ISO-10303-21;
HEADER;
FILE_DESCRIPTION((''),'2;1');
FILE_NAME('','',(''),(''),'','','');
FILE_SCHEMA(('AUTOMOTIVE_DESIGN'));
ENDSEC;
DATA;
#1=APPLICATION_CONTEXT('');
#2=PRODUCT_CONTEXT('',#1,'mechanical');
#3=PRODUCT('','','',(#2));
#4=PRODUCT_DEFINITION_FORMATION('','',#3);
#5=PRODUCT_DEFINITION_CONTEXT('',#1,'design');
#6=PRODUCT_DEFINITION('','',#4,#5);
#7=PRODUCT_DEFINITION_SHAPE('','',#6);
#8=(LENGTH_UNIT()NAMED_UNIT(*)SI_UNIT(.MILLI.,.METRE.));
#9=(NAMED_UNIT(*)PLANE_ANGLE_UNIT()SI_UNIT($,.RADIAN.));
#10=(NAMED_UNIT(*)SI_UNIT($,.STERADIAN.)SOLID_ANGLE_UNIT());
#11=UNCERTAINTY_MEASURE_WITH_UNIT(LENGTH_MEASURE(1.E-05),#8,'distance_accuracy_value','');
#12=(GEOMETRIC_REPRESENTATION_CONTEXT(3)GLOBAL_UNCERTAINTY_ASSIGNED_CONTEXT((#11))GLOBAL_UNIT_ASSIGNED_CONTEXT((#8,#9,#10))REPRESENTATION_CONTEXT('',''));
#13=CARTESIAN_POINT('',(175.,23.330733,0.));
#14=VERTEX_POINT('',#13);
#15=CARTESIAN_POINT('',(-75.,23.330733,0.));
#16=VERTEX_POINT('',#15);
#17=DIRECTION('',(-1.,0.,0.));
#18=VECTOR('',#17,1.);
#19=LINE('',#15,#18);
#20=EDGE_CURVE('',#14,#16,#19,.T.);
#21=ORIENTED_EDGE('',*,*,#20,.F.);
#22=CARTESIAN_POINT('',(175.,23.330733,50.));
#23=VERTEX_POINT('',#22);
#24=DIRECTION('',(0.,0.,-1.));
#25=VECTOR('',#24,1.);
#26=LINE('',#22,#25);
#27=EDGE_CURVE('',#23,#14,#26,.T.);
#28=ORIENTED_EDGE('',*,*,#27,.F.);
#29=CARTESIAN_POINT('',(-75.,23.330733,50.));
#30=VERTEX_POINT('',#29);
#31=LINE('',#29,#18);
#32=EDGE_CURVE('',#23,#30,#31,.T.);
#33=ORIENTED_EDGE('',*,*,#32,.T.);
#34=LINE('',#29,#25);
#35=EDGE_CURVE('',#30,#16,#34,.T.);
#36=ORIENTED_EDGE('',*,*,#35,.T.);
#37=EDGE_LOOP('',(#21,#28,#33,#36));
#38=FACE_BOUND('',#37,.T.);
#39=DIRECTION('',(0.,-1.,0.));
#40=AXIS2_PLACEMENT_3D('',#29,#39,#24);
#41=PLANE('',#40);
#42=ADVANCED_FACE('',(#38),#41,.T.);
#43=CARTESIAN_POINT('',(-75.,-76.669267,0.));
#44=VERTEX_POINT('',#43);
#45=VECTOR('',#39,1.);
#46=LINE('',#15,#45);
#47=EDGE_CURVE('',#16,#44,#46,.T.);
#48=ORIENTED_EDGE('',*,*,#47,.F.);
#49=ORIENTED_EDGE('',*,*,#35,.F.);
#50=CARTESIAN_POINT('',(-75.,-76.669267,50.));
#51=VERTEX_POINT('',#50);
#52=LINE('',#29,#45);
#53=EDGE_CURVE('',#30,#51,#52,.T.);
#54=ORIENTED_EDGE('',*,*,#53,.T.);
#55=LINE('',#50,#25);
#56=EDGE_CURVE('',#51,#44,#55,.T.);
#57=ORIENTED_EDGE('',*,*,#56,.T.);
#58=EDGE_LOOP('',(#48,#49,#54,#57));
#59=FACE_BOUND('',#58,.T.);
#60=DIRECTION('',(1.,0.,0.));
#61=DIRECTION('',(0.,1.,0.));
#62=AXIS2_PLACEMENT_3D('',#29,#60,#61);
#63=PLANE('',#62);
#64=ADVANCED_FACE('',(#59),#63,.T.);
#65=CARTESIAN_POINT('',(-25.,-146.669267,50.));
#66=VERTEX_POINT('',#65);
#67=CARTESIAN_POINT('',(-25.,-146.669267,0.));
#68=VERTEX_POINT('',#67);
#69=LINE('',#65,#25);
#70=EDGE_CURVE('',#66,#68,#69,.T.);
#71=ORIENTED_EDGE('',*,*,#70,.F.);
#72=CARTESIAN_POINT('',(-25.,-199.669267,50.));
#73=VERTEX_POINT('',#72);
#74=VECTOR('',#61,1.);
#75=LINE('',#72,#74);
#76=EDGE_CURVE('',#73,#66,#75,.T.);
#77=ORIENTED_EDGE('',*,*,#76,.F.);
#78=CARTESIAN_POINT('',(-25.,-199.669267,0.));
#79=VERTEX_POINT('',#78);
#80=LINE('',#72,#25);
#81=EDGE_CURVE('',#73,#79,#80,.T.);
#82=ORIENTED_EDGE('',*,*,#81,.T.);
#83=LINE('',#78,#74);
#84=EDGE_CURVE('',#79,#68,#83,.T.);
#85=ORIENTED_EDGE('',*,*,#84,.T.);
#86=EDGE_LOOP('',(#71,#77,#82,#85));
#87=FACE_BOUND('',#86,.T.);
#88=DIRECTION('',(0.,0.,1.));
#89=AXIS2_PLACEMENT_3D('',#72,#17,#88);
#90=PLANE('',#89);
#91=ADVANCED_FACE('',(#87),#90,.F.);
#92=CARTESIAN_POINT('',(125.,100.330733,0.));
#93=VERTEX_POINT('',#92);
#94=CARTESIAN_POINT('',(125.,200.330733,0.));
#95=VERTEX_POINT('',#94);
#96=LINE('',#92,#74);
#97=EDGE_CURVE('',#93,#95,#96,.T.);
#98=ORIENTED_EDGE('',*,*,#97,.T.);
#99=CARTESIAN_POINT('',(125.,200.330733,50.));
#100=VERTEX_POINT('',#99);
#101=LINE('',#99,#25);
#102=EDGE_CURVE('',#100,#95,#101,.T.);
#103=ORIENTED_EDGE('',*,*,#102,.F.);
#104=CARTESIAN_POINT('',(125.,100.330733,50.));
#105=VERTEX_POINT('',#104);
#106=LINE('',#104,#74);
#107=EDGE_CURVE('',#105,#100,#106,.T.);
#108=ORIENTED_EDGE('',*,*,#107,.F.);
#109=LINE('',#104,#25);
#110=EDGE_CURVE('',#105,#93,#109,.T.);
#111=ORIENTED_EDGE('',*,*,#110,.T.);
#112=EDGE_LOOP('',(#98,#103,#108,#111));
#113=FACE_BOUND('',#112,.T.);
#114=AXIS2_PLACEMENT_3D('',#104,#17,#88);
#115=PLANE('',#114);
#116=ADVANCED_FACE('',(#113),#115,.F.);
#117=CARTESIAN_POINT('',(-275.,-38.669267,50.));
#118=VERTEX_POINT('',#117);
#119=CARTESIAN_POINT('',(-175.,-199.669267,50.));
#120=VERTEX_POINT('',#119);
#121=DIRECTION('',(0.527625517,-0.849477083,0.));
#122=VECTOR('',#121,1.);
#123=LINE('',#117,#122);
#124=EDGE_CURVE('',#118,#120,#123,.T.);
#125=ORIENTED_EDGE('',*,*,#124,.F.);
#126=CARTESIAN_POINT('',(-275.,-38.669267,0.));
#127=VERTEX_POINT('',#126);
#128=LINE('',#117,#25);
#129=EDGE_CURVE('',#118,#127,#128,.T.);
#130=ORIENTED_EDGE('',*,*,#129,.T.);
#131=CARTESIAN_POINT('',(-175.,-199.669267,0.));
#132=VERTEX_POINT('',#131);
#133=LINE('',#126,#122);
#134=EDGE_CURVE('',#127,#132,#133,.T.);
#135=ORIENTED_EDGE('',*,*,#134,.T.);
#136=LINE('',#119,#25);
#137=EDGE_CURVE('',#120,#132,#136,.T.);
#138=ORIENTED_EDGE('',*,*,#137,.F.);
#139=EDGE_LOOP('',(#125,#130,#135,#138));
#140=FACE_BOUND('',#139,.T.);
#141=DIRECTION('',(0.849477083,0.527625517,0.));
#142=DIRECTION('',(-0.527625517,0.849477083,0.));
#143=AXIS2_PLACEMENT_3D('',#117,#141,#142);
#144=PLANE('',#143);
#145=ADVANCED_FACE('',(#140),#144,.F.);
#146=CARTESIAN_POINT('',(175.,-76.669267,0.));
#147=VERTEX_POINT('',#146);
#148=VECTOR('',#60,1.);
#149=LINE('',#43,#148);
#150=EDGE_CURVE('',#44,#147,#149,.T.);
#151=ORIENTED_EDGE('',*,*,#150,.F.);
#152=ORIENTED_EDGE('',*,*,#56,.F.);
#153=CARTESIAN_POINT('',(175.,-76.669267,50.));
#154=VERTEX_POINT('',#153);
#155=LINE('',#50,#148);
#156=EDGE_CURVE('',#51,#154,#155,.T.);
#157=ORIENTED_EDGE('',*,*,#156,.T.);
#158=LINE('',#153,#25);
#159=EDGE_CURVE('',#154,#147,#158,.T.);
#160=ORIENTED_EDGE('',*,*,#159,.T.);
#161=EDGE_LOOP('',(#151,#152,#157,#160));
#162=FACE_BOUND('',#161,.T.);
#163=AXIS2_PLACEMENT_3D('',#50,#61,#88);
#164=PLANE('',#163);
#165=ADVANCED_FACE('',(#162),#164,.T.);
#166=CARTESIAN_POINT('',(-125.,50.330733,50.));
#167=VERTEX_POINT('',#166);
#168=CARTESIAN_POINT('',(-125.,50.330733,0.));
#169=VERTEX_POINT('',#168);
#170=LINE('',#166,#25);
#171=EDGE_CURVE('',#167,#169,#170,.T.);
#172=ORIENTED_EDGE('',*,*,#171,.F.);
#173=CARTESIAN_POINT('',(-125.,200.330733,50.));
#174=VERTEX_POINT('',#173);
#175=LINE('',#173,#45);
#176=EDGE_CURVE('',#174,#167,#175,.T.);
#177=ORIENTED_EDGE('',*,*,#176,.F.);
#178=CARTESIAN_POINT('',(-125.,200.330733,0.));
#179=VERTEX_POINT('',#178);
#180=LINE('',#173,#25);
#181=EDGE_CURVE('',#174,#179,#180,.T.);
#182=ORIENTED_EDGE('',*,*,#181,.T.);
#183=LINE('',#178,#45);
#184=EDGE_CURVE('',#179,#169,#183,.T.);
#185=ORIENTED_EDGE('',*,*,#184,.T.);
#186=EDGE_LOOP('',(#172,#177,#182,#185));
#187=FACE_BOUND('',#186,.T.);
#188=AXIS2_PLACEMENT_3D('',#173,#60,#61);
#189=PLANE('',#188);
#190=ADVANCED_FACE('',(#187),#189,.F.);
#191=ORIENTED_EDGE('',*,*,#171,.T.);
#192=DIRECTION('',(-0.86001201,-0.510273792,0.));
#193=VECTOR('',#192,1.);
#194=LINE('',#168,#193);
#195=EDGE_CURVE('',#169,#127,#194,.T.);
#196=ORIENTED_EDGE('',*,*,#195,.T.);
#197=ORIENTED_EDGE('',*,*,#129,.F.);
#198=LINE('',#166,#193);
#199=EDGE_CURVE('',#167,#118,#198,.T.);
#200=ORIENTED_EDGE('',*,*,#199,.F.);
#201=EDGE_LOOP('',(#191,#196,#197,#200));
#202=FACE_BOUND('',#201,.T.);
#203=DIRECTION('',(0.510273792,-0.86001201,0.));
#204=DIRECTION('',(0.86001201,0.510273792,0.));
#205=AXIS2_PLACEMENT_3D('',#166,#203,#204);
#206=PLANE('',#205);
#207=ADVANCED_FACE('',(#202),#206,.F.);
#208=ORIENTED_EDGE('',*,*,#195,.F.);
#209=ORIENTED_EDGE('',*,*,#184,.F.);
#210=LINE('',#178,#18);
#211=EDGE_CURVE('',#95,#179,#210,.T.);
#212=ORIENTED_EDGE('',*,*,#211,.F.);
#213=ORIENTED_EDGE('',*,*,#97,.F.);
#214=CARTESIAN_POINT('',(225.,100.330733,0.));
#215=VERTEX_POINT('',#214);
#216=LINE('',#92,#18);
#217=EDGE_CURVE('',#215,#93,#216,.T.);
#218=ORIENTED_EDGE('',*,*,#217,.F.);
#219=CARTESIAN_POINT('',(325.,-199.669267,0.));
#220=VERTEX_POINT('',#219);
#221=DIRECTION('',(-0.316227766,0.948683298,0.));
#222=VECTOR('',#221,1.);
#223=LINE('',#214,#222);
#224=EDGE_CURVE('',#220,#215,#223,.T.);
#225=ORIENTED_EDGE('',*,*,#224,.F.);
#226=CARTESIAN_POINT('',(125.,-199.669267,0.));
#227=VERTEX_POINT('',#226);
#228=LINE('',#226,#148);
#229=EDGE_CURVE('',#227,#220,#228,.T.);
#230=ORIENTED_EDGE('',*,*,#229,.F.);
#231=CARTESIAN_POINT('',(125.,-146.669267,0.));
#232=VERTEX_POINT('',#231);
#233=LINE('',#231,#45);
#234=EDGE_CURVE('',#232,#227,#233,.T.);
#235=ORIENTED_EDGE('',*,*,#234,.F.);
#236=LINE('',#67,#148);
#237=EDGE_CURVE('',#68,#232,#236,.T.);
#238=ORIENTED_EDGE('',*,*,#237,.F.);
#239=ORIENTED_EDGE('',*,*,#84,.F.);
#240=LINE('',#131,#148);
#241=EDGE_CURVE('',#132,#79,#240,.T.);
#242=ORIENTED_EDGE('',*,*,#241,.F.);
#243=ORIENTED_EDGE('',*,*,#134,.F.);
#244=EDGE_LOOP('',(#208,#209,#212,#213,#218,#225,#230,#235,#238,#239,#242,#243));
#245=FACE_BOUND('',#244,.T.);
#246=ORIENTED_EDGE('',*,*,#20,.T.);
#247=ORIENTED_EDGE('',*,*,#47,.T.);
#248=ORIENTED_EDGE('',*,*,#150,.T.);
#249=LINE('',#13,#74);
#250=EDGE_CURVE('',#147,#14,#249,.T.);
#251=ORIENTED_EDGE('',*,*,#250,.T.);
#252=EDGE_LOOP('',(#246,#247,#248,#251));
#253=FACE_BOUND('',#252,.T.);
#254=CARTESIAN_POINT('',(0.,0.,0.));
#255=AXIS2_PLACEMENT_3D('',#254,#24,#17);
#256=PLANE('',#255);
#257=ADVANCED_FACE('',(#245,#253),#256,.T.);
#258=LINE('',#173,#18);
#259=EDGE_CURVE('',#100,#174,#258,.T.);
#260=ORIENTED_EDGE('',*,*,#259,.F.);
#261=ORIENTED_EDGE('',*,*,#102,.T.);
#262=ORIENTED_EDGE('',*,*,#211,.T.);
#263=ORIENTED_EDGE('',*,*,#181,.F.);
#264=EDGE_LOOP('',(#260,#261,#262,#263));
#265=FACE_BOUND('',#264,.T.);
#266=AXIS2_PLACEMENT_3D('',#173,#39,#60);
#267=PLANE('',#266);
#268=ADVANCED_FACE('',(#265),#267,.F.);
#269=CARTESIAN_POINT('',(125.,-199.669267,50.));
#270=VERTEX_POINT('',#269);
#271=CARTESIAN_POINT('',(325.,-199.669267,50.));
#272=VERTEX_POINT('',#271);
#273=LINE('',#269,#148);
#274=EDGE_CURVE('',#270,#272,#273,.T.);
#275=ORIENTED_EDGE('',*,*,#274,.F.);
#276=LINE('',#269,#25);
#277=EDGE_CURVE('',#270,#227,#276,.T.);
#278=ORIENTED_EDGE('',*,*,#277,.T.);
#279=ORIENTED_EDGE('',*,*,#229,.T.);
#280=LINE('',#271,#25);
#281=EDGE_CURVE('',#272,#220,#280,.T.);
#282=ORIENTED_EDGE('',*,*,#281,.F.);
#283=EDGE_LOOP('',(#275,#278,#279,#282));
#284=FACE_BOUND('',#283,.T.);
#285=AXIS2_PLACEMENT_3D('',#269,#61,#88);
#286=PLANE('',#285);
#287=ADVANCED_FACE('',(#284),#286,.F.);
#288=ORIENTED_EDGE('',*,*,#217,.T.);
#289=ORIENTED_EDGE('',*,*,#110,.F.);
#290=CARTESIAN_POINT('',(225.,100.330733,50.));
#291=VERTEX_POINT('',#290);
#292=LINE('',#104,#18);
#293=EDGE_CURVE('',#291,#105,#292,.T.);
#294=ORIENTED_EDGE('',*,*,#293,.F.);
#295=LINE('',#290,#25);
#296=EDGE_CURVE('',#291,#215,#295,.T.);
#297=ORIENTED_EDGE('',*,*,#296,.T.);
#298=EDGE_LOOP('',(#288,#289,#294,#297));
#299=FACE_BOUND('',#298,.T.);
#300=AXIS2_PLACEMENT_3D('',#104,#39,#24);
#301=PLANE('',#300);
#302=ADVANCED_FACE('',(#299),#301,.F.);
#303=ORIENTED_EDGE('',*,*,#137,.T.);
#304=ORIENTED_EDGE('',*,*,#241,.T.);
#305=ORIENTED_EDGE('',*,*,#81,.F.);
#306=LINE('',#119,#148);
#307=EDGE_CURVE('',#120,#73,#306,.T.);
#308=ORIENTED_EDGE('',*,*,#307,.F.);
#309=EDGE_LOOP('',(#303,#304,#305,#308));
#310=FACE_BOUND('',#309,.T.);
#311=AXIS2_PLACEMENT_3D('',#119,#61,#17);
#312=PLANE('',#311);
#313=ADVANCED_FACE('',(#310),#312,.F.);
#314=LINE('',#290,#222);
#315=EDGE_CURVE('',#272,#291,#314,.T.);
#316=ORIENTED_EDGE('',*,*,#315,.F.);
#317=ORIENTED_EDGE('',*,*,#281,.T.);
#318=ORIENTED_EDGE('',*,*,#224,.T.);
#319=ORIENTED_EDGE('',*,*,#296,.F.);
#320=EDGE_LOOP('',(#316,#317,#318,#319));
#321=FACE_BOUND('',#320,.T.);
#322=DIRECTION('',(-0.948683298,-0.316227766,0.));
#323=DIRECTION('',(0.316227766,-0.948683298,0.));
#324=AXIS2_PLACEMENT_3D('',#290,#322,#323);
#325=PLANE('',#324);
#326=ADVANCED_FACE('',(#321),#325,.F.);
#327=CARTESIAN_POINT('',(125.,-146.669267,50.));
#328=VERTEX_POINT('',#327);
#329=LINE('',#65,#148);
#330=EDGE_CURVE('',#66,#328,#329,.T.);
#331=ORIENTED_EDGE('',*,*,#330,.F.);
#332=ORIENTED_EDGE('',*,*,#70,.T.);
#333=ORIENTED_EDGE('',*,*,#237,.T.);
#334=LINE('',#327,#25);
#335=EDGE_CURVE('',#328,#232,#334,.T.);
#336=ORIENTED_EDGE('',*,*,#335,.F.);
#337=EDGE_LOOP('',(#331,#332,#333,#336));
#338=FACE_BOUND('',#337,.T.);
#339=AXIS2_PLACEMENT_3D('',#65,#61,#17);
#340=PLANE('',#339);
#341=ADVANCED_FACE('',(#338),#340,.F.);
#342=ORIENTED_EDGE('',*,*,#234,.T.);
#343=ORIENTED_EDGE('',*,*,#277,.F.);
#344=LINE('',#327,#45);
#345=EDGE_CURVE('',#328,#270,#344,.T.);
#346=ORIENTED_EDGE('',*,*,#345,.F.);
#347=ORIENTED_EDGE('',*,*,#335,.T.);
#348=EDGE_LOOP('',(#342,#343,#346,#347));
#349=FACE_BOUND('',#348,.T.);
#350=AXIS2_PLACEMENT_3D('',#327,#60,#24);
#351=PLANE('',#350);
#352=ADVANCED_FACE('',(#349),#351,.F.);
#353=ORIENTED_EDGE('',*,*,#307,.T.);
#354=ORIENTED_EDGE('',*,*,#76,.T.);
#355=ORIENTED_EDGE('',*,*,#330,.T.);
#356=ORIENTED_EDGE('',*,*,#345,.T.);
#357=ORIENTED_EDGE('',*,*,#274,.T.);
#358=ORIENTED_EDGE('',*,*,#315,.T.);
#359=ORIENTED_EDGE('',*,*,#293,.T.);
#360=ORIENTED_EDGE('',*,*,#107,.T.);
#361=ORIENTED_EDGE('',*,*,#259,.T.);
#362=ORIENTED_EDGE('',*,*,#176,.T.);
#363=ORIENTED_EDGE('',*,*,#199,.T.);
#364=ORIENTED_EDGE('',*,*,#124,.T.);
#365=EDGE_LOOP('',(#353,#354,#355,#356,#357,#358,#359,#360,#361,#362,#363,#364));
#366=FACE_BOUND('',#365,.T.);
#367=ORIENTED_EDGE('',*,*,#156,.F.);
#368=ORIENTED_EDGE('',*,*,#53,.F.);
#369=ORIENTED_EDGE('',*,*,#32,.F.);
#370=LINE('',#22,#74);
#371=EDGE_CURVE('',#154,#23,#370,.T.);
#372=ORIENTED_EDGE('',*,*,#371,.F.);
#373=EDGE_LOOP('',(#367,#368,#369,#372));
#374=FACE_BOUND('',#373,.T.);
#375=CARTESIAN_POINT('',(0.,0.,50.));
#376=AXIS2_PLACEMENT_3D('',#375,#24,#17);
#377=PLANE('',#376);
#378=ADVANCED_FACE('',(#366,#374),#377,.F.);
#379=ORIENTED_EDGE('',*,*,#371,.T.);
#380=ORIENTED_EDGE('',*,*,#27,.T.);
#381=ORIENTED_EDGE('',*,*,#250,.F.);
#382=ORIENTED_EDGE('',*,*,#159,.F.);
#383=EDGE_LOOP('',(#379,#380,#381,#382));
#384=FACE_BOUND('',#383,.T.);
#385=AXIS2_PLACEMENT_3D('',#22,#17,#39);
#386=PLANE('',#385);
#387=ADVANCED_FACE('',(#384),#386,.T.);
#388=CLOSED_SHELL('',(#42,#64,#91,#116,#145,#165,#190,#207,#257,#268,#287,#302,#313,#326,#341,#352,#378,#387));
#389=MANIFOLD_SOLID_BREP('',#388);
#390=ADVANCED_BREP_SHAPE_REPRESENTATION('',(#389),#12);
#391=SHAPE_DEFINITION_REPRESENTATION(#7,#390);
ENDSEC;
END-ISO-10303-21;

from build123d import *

# Parameters (mm, degrees)
SKETCH1_W           = 250
SKETCH1_H           = 100
BOSS_EXTRUDE1_DEPTH = 50


with BuildPart() as part:
    # Sketch1 → Boss-Extrude1 (new body)
    with BuildSketch(Plane.XY):
        Polygon((-275, -38.669266581), (-175, -199.669266581), (-25, -199.669266581), (-25, -146.669266581), (125, -146.669266581), (125, -199.669266581), (325, -199.669266581), (225, 100.330733419), (125, 100.330733419), (125, 200.330733419), (-125, 200.330733419), (-125, 50.330733419), align=None)
        with Locations((50, -26.669266581)):
            Rectangle(SKETCH1_W, SKETCH1_H, mode=Mode.SUBTRACT)
    extrude(amount=BOSS_EXTRUDE1_DEPTH)


solid = part.part
